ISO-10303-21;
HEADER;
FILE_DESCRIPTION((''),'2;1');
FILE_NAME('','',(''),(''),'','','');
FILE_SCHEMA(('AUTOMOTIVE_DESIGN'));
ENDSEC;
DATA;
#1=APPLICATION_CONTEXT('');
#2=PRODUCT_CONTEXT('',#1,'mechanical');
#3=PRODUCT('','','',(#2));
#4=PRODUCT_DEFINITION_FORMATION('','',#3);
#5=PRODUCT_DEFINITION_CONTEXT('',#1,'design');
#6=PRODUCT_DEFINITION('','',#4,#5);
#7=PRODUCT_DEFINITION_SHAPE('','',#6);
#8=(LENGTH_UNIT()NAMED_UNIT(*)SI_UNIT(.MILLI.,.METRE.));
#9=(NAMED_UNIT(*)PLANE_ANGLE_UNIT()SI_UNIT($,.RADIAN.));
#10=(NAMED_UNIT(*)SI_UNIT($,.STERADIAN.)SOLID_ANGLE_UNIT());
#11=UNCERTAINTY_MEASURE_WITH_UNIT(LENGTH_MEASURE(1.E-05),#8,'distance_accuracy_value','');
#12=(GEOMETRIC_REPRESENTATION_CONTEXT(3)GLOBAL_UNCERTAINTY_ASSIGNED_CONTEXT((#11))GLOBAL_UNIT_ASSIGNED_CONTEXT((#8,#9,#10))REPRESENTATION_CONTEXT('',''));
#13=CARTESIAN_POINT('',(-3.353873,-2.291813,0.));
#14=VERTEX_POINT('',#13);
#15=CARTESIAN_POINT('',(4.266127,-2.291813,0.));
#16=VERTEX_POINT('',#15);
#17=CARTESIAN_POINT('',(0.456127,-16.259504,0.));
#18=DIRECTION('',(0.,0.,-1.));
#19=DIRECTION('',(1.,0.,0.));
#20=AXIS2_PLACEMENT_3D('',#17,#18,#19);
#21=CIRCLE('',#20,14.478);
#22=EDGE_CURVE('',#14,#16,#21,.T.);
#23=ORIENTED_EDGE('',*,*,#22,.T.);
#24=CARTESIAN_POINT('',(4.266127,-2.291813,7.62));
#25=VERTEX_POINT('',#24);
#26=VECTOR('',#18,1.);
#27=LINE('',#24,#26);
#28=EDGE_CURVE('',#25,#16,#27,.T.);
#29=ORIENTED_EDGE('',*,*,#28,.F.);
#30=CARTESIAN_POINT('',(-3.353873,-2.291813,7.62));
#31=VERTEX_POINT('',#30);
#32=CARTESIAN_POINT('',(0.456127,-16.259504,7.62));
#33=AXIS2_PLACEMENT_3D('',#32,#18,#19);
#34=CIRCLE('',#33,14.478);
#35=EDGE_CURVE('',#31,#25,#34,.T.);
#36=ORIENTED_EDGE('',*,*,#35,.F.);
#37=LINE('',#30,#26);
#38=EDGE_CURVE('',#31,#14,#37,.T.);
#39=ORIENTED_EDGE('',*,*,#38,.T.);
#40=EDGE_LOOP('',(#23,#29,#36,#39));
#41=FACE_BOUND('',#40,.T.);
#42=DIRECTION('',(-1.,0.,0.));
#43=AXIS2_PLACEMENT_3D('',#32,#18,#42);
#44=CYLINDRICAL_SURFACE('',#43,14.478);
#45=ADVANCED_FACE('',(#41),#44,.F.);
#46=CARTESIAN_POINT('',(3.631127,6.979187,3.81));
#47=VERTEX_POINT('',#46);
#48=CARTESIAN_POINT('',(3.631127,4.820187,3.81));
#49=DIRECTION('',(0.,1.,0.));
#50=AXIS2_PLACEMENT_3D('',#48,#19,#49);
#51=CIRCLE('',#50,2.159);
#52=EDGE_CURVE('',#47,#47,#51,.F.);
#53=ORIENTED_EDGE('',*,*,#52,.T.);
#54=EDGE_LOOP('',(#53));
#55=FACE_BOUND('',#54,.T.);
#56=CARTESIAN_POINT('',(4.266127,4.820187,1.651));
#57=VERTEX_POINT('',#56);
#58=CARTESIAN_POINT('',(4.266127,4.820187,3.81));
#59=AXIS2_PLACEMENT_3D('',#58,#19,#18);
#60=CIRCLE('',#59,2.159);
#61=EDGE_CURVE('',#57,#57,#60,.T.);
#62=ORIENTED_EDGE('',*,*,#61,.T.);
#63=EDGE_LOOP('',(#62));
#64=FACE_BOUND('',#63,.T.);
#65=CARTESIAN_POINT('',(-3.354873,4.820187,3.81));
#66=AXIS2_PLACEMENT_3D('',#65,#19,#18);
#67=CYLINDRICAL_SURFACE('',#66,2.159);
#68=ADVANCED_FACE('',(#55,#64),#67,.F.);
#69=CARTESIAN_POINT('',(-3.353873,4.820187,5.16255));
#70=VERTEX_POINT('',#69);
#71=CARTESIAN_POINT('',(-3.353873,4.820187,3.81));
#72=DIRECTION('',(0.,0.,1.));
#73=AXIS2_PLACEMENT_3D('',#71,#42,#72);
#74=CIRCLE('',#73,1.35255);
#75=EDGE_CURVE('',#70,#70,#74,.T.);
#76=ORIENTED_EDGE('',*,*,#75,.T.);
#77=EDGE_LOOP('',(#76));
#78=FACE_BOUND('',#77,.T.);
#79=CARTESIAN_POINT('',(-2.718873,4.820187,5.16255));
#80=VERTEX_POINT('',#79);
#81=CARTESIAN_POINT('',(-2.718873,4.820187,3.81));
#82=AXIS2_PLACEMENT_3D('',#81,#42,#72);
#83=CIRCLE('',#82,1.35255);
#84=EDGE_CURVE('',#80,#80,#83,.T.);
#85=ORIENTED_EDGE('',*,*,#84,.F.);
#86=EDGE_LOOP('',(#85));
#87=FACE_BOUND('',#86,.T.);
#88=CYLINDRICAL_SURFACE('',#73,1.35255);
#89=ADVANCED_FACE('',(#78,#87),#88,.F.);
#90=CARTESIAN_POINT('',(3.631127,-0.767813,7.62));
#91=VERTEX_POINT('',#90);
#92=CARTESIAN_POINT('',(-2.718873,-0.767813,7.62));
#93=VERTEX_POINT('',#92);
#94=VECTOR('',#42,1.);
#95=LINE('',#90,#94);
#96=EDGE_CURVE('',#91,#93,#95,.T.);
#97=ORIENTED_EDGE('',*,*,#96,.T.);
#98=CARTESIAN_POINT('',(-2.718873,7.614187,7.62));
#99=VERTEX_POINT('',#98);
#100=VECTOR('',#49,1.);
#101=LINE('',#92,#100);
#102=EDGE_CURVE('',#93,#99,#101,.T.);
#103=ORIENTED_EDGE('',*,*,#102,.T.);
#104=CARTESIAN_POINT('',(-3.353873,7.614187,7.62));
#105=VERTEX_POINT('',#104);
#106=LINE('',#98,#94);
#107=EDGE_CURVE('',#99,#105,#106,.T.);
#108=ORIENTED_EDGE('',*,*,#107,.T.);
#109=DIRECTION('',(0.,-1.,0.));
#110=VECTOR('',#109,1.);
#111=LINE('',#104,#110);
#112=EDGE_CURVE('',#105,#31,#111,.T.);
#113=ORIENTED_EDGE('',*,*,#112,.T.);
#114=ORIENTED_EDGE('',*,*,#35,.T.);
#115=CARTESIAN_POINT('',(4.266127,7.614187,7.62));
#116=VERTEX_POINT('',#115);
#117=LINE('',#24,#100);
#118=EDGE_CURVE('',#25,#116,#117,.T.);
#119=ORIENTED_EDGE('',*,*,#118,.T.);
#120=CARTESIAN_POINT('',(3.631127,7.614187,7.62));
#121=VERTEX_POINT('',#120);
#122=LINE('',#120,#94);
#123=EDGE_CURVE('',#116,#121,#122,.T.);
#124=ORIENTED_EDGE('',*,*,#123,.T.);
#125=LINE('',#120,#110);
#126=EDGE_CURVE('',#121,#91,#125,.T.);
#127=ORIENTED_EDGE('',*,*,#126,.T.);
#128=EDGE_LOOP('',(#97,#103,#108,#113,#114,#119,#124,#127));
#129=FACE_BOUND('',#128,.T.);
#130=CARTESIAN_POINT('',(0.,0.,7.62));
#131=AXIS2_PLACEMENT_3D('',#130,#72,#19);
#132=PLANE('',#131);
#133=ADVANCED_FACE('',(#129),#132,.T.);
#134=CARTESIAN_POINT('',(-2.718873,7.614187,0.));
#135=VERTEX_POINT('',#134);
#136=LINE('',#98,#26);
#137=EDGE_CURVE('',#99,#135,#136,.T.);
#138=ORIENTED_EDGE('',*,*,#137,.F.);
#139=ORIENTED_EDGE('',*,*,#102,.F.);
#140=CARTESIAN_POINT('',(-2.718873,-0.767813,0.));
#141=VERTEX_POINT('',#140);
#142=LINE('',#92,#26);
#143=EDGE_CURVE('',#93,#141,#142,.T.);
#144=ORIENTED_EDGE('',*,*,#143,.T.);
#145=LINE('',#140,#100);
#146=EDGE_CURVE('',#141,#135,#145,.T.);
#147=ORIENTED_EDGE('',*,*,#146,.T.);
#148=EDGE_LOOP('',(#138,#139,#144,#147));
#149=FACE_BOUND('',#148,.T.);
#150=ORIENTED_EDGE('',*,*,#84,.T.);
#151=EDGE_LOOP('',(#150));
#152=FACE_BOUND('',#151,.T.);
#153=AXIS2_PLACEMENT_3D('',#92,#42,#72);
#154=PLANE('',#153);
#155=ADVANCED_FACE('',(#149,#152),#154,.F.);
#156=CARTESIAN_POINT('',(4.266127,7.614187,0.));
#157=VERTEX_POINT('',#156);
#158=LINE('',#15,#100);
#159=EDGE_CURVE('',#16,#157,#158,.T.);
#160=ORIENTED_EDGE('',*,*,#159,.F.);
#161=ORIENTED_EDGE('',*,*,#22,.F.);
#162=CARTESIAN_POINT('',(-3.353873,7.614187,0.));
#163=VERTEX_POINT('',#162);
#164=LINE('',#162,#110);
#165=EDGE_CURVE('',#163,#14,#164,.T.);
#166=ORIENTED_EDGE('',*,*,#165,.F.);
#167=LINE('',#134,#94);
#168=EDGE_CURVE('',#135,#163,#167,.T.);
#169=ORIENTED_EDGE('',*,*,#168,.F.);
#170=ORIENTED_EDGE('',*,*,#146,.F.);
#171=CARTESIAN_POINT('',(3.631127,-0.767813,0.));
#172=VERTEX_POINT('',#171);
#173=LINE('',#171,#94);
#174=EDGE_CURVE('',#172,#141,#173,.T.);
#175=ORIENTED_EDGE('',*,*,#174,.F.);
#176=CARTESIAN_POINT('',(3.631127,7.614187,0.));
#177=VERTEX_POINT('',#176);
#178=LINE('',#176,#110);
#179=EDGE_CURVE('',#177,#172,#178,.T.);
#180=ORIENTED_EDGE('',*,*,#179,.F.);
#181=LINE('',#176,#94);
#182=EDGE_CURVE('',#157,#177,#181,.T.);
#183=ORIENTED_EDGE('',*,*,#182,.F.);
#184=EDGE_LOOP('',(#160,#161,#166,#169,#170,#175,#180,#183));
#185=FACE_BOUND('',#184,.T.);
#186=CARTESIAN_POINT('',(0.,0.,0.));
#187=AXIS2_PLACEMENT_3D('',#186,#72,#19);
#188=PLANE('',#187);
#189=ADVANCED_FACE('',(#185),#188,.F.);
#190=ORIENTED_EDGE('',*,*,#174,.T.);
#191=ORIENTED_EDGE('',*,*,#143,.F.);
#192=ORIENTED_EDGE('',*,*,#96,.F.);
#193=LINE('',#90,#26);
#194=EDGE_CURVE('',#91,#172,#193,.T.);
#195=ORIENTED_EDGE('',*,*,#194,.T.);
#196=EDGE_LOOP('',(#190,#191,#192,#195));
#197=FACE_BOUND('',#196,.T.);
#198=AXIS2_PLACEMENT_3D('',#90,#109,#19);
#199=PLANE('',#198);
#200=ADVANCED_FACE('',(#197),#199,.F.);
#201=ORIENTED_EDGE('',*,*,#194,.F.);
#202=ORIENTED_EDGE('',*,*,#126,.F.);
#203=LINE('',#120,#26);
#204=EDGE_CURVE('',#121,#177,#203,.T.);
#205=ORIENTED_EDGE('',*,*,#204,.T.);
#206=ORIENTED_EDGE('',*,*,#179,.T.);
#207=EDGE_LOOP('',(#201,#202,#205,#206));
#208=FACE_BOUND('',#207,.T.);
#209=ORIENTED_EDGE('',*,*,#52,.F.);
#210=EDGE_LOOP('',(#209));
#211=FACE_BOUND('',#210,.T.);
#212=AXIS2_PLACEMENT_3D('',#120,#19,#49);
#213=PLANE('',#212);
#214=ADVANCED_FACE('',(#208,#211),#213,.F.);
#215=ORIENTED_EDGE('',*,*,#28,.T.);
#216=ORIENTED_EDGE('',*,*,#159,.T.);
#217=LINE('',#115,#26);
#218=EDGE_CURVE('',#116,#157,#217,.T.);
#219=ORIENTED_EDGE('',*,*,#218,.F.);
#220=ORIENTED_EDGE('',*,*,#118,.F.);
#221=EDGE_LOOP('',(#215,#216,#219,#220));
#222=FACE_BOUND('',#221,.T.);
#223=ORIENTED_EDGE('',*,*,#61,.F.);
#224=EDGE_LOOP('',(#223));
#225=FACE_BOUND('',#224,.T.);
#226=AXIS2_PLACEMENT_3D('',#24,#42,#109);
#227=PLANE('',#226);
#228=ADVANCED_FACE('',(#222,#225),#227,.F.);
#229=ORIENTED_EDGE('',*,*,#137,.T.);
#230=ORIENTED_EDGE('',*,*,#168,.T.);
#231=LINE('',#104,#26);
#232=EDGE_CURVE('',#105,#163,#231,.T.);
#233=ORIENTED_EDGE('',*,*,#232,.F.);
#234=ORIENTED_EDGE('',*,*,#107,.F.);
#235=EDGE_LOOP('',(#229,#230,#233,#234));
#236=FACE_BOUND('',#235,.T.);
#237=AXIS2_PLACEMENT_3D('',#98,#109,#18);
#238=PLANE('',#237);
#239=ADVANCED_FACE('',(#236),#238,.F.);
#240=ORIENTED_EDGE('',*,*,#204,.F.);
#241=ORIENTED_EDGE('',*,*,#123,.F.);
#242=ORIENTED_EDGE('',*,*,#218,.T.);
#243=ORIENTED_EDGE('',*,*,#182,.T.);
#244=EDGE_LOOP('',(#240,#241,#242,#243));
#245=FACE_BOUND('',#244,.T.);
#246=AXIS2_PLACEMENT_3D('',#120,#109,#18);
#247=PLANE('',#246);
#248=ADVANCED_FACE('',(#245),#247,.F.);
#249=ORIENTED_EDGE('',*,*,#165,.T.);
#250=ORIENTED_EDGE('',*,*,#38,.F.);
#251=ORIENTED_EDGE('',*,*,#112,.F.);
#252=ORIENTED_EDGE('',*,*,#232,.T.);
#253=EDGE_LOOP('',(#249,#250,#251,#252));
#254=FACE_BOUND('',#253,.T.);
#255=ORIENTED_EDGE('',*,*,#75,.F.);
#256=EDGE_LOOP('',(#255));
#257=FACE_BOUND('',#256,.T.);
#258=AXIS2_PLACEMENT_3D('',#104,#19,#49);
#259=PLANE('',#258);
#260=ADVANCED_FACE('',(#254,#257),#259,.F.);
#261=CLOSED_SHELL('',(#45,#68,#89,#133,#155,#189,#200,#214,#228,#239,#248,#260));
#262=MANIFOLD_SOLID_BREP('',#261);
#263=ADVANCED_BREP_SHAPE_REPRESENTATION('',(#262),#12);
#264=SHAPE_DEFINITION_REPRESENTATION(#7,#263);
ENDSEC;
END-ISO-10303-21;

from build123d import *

# Parameters (mm, degrees)
BOSS_EXTRUDE1_DEPTH       = 7.62
F_6_32_TAPPED_HOLE1_D     = 2.7051
F_6_32_TAPPED_HOLE1_DEPTH = 0.635
CUT_EXTRUDE1_REACH        = 9.62
SKETCH6_R                 = 2.159
CUT_EXTRUDE2_DEPTH        = 8.62


with BuildPart() as part:
    # Sketch1 → Boss-Extrude1 (new body)
    with BuildSketch(Plane.XY):
        Polygon((-3.353873239, 7.61418662), (-3.353873239, -2.29181338), (4.266126761, -2.29181338), (4.266126761, 7.61418662), (3.631126761, 7.61418662), (3.631126761, -0.76781338), (-2.718873239, -0.76781338), (-2.718873239, 7.61418662), align=None)
    extrude(amount=BOSS_EXTRUDE1_DEPTH)

    # #6-32 Tapped Hole1
    with Locations(Plane.ZY.offset(3.353873239)):
        with Locations((3.81, 4.82018662)):
            Hole(F_6_32_TAPPED_HOLE1_D / 2, depth=F_6_32_TAPPED_HOLE1_DEPTH)

    # Sketch6 → Cut-Extrude1 (cut, up to next)
    with BuildSketch(Plane(origin=(4.266126761, 0, 0), x_dir=(0, 0, -1), z_dir=(1, 0, 0)), mode=Mode.PRIVATE) as cut_extrude1_sk1:
        with Locations((-3.81, 4.82018662)):
            Circle(SKETCH6_R)
    cut_extrude1_tool1 = extrude(cut_extrude1_sk1.sketch, amount=-CUT_EXTRUDE1_REACH, mode=Mode.PRIVATE) & part.part
    add(cut_extrude1_tool1.solids().sort_by_distance((4.266127, 4.820187, 3.81))[0], mode=Mode.SUBTRACT)

    # Sketch16 → Cut-Extrude2 (cut, through all)
    with BuildSketch(Plane(origin=(0, 0, 0), x_dir=(-1, 0, 0), z_dir=(0, 0, -1))):
        with BuildLine():
            Line((3.353873239, -2.29181338), (-4.266126761, -2.29181338))
            ThreePointArc((-4.266126761, -2.29181338), (-0.456126761, -1.781504099), (3.353873239, -2.29181338))
        make_face()
    extrude(amount=-CUT_EXTRUDE2_DEPTH, mode=Mode.SUBTRACT)


solid = part.part
